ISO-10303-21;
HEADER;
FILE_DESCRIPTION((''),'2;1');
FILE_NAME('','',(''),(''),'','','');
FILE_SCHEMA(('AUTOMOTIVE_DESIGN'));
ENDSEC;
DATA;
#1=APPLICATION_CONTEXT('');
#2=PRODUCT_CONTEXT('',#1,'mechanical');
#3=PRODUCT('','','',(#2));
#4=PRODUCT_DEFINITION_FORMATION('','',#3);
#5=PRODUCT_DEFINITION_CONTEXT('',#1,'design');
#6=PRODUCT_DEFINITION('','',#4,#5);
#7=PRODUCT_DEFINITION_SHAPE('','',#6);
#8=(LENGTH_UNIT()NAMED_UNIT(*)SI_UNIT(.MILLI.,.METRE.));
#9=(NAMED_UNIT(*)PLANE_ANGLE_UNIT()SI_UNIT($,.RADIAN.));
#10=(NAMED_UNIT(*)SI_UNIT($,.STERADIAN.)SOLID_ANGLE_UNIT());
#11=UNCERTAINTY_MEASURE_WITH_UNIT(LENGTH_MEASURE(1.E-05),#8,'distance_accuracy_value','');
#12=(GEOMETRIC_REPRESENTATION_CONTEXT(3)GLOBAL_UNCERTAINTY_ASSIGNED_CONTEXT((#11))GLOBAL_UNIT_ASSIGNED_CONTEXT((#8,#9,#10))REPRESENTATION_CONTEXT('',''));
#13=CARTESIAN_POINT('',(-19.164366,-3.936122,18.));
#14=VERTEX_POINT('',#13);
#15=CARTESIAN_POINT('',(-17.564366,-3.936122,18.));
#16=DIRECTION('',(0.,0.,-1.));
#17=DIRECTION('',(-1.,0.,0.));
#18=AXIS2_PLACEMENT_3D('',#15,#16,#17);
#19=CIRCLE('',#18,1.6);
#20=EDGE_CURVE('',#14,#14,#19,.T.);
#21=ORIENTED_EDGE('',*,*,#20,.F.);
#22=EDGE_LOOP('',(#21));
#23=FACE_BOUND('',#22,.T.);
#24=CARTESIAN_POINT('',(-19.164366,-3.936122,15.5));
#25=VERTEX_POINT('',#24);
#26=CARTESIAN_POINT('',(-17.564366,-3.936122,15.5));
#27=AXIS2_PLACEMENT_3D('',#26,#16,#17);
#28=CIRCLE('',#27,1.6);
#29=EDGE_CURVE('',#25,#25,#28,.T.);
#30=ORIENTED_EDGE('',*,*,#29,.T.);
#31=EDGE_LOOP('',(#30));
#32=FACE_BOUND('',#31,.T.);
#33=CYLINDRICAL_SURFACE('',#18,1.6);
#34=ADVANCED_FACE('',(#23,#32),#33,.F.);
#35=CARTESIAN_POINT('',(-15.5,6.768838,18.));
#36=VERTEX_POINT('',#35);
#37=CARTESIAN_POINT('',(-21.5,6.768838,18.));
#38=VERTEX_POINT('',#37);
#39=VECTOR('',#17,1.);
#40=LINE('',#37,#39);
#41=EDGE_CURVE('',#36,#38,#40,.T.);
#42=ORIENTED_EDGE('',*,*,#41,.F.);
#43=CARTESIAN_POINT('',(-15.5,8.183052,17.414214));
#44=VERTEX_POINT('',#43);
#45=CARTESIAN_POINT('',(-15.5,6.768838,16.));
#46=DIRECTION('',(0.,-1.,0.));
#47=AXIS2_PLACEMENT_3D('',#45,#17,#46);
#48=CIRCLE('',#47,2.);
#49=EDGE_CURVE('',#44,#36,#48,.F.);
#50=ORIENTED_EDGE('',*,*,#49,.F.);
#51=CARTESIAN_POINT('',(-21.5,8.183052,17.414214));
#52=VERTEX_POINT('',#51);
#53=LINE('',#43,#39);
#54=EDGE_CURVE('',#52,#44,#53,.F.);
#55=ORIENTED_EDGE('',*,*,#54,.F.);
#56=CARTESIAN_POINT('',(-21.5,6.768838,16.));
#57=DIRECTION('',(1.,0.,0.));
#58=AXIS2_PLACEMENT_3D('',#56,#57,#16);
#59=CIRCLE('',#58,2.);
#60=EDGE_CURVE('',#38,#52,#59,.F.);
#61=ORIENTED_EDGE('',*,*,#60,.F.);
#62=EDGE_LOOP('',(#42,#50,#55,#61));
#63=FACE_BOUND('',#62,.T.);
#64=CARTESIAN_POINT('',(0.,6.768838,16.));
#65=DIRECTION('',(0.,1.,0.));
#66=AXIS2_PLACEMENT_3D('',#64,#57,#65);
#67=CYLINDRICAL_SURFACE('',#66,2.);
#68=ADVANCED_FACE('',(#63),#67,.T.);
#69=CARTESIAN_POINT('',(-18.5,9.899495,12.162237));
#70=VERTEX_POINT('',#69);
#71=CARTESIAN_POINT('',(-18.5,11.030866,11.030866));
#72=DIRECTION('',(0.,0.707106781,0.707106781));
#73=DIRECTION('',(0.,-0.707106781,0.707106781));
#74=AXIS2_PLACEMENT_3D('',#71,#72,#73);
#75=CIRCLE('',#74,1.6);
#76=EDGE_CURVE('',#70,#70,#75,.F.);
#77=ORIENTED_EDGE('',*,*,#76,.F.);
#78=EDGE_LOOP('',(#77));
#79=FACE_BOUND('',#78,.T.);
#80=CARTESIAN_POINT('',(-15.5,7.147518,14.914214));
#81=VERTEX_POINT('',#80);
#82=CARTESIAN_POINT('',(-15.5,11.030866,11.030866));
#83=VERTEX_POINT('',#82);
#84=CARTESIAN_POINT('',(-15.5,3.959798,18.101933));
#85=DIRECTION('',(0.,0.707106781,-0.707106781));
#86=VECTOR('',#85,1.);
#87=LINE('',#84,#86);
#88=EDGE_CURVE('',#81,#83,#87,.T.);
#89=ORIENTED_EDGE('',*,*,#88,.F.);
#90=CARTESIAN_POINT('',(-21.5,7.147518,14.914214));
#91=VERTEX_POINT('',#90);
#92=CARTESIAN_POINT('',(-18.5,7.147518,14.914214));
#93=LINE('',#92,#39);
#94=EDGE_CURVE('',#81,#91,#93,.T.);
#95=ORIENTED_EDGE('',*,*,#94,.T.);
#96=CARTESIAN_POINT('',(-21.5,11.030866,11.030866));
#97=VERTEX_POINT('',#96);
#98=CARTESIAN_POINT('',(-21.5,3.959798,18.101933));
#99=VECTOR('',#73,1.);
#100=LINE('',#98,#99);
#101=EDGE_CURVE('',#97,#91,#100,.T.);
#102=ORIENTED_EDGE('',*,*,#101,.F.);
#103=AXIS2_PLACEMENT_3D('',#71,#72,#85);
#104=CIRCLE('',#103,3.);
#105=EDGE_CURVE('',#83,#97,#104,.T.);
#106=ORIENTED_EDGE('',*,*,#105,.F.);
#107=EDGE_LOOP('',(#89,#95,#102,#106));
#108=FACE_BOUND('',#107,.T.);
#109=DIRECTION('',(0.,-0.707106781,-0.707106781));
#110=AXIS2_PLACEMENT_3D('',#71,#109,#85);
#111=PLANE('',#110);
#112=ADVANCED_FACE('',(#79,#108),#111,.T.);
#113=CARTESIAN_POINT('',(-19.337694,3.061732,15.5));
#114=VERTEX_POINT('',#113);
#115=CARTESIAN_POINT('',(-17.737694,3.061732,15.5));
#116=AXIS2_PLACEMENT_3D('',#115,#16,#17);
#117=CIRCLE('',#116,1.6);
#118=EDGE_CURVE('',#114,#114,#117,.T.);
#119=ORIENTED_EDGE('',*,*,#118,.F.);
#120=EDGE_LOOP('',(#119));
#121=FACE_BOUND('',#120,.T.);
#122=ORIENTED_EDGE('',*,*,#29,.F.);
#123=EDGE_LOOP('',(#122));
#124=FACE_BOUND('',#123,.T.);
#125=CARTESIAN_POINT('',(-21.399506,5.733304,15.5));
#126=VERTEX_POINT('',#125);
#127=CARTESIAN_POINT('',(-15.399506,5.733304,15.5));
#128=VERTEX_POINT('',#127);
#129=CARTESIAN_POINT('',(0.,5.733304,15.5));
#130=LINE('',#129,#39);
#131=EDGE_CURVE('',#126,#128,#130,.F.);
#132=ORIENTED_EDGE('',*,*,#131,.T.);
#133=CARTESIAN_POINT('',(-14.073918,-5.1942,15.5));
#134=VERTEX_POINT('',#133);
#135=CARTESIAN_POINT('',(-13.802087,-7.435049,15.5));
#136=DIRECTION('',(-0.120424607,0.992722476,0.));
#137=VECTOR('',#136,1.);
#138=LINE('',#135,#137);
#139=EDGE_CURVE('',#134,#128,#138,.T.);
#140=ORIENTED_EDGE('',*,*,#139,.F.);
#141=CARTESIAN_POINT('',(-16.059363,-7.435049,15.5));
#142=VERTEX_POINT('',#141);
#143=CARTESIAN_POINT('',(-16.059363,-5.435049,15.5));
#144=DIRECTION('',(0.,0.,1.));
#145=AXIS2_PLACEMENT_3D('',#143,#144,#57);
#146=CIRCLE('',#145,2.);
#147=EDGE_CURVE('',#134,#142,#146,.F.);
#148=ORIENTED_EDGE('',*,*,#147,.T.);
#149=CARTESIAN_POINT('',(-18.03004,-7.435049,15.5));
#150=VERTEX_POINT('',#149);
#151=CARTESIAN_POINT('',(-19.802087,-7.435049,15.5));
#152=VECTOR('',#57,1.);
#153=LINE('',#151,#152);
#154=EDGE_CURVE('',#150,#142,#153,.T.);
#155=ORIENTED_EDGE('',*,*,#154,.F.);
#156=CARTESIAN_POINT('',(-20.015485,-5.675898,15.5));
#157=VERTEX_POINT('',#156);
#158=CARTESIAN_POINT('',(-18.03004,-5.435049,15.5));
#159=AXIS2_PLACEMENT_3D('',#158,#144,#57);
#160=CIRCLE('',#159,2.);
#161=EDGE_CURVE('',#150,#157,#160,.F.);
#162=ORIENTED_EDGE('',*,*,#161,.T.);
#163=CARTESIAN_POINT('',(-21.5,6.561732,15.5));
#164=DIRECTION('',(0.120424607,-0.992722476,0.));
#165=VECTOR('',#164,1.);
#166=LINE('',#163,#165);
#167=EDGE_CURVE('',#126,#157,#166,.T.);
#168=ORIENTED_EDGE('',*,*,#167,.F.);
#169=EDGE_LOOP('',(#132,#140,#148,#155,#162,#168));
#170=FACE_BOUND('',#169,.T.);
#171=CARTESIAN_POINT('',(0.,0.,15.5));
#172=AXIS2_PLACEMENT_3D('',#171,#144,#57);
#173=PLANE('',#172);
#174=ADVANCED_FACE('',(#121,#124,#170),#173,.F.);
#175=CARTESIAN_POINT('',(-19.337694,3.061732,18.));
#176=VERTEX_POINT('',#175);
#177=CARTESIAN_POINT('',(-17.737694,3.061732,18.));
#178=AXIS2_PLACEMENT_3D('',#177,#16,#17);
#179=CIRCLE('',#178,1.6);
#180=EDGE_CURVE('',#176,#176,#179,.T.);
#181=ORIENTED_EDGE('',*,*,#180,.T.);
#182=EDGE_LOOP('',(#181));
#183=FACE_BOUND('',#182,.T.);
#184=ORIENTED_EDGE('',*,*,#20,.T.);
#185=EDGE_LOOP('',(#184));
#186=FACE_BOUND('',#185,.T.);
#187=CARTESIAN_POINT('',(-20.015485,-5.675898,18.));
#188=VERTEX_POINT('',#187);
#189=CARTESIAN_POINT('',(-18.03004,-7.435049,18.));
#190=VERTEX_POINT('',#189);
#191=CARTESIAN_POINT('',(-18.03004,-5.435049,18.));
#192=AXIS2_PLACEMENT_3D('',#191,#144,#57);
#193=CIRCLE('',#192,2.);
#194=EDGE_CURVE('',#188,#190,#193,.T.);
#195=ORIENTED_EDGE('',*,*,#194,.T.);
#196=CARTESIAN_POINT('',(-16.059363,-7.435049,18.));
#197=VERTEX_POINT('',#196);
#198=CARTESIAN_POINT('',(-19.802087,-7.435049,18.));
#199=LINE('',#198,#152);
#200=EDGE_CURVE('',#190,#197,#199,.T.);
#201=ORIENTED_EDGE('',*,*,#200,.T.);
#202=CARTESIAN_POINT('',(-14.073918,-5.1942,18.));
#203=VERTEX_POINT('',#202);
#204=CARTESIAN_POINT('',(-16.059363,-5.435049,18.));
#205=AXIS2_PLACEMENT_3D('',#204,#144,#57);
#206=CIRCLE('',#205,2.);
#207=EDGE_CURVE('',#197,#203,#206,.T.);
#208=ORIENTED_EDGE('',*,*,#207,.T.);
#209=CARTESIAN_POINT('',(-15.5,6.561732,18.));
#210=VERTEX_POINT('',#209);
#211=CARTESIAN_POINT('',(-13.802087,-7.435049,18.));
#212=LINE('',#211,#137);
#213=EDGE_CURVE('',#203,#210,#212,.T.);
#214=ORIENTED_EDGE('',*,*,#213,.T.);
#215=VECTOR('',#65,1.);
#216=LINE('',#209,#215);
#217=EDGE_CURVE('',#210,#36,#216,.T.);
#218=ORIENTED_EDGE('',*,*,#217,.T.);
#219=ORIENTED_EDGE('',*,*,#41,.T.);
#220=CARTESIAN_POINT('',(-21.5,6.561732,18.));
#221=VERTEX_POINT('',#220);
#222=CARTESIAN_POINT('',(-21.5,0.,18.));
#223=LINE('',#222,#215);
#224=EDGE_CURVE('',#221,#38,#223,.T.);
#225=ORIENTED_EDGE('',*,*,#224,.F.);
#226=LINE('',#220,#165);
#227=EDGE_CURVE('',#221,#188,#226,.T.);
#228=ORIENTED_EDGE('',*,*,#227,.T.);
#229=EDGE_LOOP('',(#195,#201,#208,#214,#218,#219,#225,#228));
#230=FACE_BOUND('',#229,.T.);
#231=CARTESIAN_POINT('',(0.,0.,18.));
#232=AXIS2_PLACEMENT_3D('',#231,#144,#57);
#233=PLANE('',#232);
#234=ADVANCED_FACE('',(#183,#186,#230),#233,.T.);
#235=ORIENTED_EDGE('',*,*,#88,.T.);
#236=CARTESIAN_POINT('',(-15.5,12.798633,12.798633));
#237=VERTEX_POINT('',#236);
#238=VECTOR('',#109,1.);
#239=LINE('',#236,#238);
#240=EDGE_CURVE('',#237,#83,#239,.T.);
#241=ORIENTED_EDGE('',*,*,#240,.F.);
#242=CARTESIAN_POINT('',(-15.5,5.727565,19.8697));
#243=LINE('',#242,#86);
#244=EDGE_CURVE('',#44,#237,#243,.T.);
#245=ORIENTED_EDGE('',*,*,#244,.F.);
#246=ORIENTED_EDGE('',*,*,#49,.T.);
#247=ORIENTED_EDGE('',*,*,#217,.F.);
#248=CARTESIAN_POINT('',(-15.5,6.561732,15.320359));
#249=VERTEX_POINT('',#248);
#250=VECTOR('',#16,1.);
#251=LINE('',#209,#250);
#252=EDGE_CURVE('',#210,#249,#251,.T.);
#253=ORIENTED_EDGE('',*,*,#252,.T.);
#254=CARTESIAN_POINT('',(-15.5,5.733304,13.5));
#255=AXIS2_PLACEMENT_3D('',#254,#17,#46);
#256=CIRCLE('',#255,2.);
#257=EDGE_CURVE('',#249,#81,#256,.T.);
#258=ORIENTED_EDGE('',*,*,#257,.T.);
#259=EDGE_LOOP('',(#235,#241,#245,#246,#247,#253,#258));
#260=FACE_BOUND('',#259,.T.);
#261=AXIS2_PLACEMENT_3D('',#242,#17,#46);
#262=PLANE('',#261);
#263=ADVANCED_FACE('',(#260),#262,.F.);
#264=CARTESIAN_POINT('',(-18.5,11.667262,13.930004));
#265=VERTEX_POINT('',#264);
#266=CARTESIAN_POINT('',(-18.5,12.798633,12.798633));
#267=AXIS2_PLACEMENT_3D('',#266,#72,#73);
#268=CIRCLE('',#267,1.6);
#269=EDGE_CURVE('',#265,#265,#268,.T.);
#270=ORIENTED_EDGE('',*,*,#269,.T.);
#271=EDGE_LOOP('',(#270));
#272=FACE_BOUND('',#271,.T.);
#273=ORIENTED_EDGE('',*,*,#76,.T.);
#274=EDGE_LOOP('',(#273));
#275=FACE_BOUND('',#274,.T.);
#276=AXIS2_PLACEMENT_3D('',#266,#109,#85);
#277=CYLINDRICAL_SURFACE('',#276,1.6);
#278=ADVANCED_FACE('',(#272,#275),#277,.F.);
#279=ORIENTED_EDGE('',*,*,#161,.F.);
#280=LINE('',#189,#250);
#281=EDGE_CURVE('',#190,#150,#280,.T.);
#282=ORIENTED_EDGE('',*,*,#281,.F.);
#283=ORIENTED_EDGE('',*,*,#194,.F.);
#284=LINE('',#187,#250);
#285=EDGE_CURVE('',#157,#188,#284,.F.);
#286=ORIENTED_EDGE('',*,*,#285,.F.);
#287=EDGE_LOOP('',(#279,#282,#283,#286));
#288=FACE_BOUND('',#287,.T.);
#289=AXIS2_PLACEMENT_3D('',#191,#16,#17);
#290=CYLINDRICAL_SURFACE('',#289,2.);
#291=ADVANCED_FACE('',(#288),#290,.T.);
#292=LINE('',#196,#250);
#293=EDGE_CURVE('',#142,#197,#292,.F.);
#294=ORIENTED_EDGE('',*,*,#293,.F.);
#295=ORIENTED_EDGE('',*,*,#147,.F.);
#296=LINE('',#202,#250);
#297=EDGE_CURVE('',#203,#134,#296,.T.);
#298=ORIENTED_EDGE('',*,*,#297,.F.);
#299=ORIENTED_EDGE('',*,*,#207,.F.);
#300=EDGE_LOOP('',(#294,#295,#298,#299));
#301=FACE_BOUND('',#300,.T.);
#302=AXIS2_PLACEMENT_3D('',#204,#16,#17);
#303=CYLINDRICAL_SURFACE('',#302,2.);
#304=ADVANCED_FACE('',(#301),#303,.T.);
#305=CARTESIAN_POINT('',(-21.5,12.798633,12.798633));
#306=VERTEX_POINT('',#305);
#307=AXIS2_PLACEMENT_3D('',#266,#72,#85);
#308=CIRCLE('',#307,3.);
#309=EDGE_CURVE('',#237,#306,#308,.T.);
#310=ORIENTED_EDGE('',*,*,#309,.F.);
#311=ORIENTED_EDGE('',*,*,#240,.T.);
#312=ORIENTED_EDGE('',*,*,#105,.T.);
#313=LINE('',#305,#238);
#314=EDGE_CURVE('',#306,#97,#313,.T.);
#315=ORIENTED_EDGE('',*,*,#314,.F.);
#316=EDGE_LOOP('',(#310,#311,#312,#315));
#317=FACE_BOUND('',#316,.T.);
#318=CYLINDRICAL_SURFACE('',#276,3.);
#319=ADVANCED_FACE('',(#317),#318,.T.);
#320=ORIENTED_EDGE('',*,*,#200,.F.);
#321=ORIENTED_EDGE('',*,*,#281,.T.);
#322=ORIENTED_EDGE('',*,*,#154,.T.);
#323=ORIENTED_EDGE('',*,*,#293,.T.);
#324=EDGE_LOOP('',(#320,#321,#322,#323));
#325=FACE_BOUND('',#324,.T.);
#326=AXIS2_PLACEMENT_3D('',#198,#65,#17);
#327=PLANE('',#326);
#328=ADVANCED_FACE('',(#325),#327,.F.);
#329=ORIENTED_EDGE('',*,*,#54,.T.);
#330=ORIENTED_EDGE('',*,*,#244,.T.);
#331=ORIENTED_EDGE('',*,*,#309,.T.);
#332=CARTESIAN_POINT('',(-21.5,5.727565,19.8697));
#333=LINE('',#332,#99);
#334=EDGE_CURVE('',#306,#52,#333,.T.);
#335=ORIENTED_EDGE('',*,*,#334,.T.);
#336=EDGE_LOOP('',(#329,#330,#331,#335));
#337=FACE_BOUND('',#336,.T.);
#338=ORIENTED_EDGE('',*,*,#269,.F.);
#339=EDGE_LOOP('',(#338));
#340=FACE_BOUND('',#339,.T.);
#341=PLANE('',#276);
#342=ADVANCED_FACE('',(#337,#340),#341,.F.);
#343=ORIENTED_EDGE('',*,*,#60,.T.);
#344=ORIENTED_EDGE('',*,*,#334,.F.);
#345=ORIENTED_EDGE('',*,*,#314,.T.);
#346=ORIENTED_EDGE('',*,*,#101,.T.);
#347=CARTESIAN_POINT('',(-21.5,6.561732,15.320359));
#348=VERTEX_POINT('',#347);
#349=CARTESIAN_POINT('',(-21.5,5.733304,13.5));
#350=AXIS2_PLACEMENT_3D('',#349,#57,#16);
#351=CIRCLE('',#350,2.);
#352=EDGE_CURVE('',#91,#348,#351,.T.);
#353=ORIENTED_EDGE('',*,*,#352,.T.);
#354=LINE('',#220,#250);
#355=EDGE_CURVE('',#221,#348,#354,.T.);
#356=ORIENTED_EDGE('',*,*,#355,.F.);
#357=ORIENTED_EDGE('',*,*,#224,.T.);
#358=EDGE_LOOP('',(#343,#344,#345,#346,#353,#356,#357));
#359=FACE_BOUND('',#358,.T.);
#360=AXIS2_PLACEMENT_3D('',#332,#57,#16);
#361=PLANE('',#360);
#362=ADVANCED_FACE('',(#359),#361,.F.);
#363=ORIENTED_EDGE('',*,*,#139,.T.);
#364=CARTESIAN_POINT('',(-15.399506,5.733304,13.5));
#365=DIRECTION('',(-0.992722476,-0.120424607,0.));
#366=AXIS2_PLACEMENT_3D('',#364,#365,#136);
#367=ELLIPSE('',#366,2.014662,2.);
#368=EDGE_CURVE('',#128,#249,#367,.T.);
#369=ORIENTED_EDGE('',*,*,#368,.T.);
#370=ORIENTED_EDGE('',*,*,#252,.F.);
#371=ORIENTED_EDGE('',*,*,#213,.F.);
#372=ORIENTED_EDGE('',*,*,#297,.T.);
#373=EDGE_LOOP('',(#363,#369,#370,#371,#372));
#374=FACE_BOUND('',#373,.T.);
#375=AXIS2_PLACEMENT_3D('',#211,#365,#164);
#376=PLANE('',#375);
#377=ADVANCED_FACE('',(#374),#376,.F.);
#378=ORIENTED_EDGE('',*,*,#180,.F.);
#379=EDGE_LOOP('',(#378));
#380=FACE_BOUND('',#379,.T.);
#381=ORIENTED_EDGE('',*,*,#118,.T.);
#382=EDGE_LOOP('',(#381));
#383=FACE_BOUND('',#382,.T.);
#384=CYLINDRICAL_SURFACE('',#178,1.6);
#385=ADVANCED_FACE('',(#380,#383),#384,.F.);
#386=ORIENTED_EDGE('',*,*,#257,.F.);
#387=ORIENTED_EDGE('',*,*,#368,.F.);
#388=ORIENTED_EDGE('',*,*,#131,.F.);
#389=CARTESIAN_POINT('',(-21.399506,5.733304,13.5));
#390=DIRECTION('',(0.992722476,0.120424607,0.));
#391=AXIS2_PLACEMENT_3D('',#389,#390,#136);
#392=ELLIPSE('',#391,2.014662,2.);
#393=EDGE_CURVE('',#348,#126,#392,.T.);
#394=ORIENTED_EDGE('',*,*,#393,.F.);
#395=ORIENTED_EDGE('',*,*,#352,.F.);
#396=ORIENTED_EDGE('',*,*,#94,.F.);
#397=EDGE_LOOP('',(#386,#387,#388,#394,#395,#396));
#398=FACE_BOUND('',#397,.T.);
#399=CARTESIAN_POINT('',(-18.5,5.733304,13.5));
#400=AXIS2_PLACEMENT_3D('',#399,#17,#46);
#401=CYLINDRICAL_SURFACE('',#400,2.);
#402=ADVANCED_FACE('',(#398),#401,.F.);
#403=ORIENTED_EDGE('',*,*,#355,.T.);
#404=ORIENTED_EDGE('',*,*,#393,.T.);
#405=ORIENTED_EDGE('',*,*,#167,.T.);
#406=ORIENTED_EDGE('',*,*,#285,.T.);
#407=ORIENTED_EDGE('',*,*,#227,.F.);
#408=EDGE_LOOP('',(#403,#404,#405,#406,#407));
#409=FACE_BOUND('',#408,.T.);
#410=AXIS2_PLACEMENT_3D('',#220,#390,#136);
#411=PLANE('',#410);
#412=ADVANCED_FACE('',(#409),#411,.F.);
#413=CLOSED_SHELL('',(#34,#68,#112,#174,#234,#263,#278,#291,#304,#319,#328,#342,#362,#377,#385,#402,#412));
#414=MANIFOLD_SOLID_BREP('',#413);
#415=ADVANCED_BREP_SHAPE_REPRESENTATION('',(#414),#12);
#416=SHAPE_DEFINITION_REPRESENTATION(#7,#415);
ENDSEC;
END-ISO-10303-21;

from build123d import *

# Parameters (mm, degrees)
SKETCH_4_R           = 4.196960071
EXTRUDE_3_DEPTH      = 0.6
EXTRUDE_START        = 0.6
SKETCH_5_R           = 4.196960071
EXTRUDE_4_DEPTH      = 0.6
SKETCH_8_R           = 1.6
EXTRUDE_6_DEPTH      = 2.5
SKETCH_9_R           = 27.5
EXTRUDE_7_DEPTH      = 2.5
SKETCH_10_W          = 6
SKETCH_10_H          = 20
CUT_EXTRUDE_1_DEPTH  = 49.812552895
CUT_EXTRUDE_8_DEPTH  = 49.812552895
CUT_EXTRUDE_9_DEPTH  = 6
CUT_EXTRUDE_START    = -31.2
SKETCH_19_R          = 4.196960071
CUT_EXTRUDE_10_DEPTH = 31.2
SKETCH_20_R          = 1.6
CUT_EXTRUDE_11_DEPTH = 40.445330411
FILLET_1_R           = 2


with BuildPart() as part:
    # ｽｹｯﾁ1 → 回転1 (revolve)
    with BuildSketch(Plane(origin=(0, 0, 0), x_dir=(1, 0, 0), z_dir=(0, -0.7071067811865488, 0.7071067811865464)), mode=Mode.PRIVATE) as revolve_1_sk:
        with BuildLine():
            Line((-22.696960071, 15), (-18.5, 15))
            Line((-18.5, 15), (-18.5, -15))
            Line((-18.5, -15), (-22.696960071, -15))
            ThreePointArc((-22.696960071, -15), (-25, 0), (-22.696960071, 15))
        make_face()
    revolve(revolve_1_sk.sketch.rotate(Axis((-18.5, 17.67766953, 17.67766953), (0, -0.7071067811865462, -0.7071067811865488)), 270), axis=Axis((-18.5, 17.67766953, 17.67766953), (0, -0.7071067811865462, -0.7071067811865488)))

    # ｽｹｯﾁ4 → ﾎﾞｽ - 押し出し3 (add)
    with BuildSketch(Plane(origin=(0, -10.606601718, -10.606601718), x_dir=(1, 0, 0), z_dir=(0, -0.7071067811865462, -0.7071067811865488))):
        with Locations(Location((-18.5, 0, 0), (0, 0, 90))):
            Circle(SKETCH_4_R)
    extrude(amount=EXTRUDE_3_DEPTH)

    # ｽｹｯﾁ5 → ﾎﾞｽ - 押し出し4 (add)
    with BuildSketch(Plane(origin=(0, 10.606601718, 10.606601718), x_dir=(1, 0, 0), z_dir=(0, 0.7071067811865462, 0.7071067811865488)).offset(EXTRUDE_START)):
        with Locations(Location((-18.5, 0, 0), (0, 0, 270))):
            Circle(SKETCH_5_R)
    extrude(amount=-EXTRUDE_4_DEPTH)

    # ｽｹｯﾁ8 → ﾎﾞｽ - 押し出し6 (add)
    with BuildSketch(Plane(origin=(0, 11.030865787, 11.030865787), x_dir=(1, 0, 0), z_dir=(0, 0.7071067811865462, 0.7071067811865488))):
        with BuildLine():
            Line((-15.5, -9.999999662), (-21.5, -9.999999662))
            Line((-21.5, -9.999999662), (-21.5, 3.38e-07))
            ThreePointArc((-21.5, 3.38e-07), (-18.5, 3), (-15.5, 3.38e-07))
            Line((-15.5, 3.38e-07), (-15.5, -9.999999662))
        make_face()
        with Locations(Location((-18.5, 0, 0), (0, 0, 270))):
            Circle(SKETCH_8_R, mode=Mode.SUBTRACT)
    extrude(amount=EXTRUDE_6_DEPTH)

    # ｽｹｯﾁ9 → ﾎﾞｽ - 押し出し7 (add)
    with BuildSketch(Plane.XY.offset(18)):
        Circle(SKETCH_9_R)
    extrude(amount=-EXTRUDE_7_DEPTH)

    # ｽｹｯﾁ10 → ｶｯﾄ - 押し出し1 (cut, through all)
    with BuildSketch(Plane(origin=(0, 0, 15.5), x_dir=(-1, 0, 0), z_dir=(0, 0, -1))):
        with Locations((24.5, 0.097265479)):
            Rectangle(SKETCH_10_W, SKETCH_10_H)
    extrude(amount=-CUT_EXTRUDE_1_DEPTH, mode=Mode.SUBTRACT)

    # ｽｹｯﾁ16 → ｶｯﾄ - 押し出し8 (cut, through all)
    with BuildSketch(Plane(origin=(0, 0, 15.5), x_dir=(-1, 0, 0), z_dir=(0, 0, -1))):
        with BuildLine():
            Line((25.579195254, 10.097265479), (15.5, 10.097265479))
            Line((15.5, 10.097265479), (15.5, 22.715633383))
            ThreePointArc((15.5, 22.715633383), (21.486760408, 17.163016261), (25.579195254, 10.097265479))
        make_face()
    extrude(amount=-CUT_EXTRUDE_8_DEPTH, mode=Mode.SUBTRACT)

    # ｽｹｯﾁ17 → ｶｯﾄ - 押し出し9 (cut)
    with BuildSketch(Plane.ZY.offset(21.5)):
        Polygon((15.5, 10.097265479), (18, 10.097265479), (19.869700312, 5.727565167), (18.101933359, 3.959798214), (18, 4.061731573), (18, 7.597265479), align=None)
    extrude(amount=-CUT_EXTRUDE_9_DEPTH, mode=Mode.SUBTRACT)

    # ｽｹｯﾁ19 → ｶｯﾄ - 押し出し10 (cut)
    with BuildSketch(Plane(origin=(0, -11.030865787, -11.030865787), x_dir=(1, 0, 0), z_dir=(0, -0.7071067811865462, -0.7071067811865488)).offset(CUT_EXTRUDE_START)):
        with Locations((-18.5, 0)):
            Circle(SKETCH_19_R)
    extrude(amount=CUT_EXTRUDE_10_DEPTH, mode=Mode.SUBTRACT)


with BuildPart() as body_2:
    # of the pieces the cut leaves, the one that is kept (cut_extrude_10_keep)
    add(part.part.solids().sort_by_distance((-21.5, 6.561731573, 15.5))[0])

    # ｽｹｯﾁ20 → ｶｯﾄ - 押し出し11 (cut, through all)
    with BuildSketch(Plane(origin=(0, 0, 15.5), x_dir=(-1, 0, 0), z_dir=(0, 0, -1))):
        with Locations((17.73769432, 3.061731573)):
            Circle(SKETCH_20_R)
        with Locations((17.564365692, -3.936122183)):
            Circle(SKETCH_20_R)
        with BuildLine():
            Line((21.5, 6.561731573), (19.802086592, -7.435049061))
            Line((19.802086592, -7.435049061), (13.802086592, -7.435049061))
            Line((13.802086592, -7.435049061), (15.5, 6.561731573))
            Line((15.5, 6.561731573), (15.5, 22.715633383))
            ThreePointArc((15.5, 22.715633383), (-26.256917644, -8.174611664), (25.655132995, -9.902734521))
            Line((25.655132995, -9.902734521), (21.5, -9.902734521))
            Line((21.5, -9.902734521), (21.5, 6.561731573))
        make_face()
    extrude(amount=-CUT_EXTRUDE_11_DEPTH, mode=Mode.SUBTRACT)

    # ﾌｨﾚｯﾄ1
    fillet_1_edges = [body_2.edges().sort_by_distance(p)[0] for p in [
        (-18.5, 6.561731573, 15.5),
        (-18.5, 7.597265479, 18),
        (-13.802086592, -7.435049061, 16.75),
        (-19.802086592, -7.435049061, 16.75),
    ]]
    fillet(fillet_1_edges, radius=FILLET_1_R)


solid = body_2.part
